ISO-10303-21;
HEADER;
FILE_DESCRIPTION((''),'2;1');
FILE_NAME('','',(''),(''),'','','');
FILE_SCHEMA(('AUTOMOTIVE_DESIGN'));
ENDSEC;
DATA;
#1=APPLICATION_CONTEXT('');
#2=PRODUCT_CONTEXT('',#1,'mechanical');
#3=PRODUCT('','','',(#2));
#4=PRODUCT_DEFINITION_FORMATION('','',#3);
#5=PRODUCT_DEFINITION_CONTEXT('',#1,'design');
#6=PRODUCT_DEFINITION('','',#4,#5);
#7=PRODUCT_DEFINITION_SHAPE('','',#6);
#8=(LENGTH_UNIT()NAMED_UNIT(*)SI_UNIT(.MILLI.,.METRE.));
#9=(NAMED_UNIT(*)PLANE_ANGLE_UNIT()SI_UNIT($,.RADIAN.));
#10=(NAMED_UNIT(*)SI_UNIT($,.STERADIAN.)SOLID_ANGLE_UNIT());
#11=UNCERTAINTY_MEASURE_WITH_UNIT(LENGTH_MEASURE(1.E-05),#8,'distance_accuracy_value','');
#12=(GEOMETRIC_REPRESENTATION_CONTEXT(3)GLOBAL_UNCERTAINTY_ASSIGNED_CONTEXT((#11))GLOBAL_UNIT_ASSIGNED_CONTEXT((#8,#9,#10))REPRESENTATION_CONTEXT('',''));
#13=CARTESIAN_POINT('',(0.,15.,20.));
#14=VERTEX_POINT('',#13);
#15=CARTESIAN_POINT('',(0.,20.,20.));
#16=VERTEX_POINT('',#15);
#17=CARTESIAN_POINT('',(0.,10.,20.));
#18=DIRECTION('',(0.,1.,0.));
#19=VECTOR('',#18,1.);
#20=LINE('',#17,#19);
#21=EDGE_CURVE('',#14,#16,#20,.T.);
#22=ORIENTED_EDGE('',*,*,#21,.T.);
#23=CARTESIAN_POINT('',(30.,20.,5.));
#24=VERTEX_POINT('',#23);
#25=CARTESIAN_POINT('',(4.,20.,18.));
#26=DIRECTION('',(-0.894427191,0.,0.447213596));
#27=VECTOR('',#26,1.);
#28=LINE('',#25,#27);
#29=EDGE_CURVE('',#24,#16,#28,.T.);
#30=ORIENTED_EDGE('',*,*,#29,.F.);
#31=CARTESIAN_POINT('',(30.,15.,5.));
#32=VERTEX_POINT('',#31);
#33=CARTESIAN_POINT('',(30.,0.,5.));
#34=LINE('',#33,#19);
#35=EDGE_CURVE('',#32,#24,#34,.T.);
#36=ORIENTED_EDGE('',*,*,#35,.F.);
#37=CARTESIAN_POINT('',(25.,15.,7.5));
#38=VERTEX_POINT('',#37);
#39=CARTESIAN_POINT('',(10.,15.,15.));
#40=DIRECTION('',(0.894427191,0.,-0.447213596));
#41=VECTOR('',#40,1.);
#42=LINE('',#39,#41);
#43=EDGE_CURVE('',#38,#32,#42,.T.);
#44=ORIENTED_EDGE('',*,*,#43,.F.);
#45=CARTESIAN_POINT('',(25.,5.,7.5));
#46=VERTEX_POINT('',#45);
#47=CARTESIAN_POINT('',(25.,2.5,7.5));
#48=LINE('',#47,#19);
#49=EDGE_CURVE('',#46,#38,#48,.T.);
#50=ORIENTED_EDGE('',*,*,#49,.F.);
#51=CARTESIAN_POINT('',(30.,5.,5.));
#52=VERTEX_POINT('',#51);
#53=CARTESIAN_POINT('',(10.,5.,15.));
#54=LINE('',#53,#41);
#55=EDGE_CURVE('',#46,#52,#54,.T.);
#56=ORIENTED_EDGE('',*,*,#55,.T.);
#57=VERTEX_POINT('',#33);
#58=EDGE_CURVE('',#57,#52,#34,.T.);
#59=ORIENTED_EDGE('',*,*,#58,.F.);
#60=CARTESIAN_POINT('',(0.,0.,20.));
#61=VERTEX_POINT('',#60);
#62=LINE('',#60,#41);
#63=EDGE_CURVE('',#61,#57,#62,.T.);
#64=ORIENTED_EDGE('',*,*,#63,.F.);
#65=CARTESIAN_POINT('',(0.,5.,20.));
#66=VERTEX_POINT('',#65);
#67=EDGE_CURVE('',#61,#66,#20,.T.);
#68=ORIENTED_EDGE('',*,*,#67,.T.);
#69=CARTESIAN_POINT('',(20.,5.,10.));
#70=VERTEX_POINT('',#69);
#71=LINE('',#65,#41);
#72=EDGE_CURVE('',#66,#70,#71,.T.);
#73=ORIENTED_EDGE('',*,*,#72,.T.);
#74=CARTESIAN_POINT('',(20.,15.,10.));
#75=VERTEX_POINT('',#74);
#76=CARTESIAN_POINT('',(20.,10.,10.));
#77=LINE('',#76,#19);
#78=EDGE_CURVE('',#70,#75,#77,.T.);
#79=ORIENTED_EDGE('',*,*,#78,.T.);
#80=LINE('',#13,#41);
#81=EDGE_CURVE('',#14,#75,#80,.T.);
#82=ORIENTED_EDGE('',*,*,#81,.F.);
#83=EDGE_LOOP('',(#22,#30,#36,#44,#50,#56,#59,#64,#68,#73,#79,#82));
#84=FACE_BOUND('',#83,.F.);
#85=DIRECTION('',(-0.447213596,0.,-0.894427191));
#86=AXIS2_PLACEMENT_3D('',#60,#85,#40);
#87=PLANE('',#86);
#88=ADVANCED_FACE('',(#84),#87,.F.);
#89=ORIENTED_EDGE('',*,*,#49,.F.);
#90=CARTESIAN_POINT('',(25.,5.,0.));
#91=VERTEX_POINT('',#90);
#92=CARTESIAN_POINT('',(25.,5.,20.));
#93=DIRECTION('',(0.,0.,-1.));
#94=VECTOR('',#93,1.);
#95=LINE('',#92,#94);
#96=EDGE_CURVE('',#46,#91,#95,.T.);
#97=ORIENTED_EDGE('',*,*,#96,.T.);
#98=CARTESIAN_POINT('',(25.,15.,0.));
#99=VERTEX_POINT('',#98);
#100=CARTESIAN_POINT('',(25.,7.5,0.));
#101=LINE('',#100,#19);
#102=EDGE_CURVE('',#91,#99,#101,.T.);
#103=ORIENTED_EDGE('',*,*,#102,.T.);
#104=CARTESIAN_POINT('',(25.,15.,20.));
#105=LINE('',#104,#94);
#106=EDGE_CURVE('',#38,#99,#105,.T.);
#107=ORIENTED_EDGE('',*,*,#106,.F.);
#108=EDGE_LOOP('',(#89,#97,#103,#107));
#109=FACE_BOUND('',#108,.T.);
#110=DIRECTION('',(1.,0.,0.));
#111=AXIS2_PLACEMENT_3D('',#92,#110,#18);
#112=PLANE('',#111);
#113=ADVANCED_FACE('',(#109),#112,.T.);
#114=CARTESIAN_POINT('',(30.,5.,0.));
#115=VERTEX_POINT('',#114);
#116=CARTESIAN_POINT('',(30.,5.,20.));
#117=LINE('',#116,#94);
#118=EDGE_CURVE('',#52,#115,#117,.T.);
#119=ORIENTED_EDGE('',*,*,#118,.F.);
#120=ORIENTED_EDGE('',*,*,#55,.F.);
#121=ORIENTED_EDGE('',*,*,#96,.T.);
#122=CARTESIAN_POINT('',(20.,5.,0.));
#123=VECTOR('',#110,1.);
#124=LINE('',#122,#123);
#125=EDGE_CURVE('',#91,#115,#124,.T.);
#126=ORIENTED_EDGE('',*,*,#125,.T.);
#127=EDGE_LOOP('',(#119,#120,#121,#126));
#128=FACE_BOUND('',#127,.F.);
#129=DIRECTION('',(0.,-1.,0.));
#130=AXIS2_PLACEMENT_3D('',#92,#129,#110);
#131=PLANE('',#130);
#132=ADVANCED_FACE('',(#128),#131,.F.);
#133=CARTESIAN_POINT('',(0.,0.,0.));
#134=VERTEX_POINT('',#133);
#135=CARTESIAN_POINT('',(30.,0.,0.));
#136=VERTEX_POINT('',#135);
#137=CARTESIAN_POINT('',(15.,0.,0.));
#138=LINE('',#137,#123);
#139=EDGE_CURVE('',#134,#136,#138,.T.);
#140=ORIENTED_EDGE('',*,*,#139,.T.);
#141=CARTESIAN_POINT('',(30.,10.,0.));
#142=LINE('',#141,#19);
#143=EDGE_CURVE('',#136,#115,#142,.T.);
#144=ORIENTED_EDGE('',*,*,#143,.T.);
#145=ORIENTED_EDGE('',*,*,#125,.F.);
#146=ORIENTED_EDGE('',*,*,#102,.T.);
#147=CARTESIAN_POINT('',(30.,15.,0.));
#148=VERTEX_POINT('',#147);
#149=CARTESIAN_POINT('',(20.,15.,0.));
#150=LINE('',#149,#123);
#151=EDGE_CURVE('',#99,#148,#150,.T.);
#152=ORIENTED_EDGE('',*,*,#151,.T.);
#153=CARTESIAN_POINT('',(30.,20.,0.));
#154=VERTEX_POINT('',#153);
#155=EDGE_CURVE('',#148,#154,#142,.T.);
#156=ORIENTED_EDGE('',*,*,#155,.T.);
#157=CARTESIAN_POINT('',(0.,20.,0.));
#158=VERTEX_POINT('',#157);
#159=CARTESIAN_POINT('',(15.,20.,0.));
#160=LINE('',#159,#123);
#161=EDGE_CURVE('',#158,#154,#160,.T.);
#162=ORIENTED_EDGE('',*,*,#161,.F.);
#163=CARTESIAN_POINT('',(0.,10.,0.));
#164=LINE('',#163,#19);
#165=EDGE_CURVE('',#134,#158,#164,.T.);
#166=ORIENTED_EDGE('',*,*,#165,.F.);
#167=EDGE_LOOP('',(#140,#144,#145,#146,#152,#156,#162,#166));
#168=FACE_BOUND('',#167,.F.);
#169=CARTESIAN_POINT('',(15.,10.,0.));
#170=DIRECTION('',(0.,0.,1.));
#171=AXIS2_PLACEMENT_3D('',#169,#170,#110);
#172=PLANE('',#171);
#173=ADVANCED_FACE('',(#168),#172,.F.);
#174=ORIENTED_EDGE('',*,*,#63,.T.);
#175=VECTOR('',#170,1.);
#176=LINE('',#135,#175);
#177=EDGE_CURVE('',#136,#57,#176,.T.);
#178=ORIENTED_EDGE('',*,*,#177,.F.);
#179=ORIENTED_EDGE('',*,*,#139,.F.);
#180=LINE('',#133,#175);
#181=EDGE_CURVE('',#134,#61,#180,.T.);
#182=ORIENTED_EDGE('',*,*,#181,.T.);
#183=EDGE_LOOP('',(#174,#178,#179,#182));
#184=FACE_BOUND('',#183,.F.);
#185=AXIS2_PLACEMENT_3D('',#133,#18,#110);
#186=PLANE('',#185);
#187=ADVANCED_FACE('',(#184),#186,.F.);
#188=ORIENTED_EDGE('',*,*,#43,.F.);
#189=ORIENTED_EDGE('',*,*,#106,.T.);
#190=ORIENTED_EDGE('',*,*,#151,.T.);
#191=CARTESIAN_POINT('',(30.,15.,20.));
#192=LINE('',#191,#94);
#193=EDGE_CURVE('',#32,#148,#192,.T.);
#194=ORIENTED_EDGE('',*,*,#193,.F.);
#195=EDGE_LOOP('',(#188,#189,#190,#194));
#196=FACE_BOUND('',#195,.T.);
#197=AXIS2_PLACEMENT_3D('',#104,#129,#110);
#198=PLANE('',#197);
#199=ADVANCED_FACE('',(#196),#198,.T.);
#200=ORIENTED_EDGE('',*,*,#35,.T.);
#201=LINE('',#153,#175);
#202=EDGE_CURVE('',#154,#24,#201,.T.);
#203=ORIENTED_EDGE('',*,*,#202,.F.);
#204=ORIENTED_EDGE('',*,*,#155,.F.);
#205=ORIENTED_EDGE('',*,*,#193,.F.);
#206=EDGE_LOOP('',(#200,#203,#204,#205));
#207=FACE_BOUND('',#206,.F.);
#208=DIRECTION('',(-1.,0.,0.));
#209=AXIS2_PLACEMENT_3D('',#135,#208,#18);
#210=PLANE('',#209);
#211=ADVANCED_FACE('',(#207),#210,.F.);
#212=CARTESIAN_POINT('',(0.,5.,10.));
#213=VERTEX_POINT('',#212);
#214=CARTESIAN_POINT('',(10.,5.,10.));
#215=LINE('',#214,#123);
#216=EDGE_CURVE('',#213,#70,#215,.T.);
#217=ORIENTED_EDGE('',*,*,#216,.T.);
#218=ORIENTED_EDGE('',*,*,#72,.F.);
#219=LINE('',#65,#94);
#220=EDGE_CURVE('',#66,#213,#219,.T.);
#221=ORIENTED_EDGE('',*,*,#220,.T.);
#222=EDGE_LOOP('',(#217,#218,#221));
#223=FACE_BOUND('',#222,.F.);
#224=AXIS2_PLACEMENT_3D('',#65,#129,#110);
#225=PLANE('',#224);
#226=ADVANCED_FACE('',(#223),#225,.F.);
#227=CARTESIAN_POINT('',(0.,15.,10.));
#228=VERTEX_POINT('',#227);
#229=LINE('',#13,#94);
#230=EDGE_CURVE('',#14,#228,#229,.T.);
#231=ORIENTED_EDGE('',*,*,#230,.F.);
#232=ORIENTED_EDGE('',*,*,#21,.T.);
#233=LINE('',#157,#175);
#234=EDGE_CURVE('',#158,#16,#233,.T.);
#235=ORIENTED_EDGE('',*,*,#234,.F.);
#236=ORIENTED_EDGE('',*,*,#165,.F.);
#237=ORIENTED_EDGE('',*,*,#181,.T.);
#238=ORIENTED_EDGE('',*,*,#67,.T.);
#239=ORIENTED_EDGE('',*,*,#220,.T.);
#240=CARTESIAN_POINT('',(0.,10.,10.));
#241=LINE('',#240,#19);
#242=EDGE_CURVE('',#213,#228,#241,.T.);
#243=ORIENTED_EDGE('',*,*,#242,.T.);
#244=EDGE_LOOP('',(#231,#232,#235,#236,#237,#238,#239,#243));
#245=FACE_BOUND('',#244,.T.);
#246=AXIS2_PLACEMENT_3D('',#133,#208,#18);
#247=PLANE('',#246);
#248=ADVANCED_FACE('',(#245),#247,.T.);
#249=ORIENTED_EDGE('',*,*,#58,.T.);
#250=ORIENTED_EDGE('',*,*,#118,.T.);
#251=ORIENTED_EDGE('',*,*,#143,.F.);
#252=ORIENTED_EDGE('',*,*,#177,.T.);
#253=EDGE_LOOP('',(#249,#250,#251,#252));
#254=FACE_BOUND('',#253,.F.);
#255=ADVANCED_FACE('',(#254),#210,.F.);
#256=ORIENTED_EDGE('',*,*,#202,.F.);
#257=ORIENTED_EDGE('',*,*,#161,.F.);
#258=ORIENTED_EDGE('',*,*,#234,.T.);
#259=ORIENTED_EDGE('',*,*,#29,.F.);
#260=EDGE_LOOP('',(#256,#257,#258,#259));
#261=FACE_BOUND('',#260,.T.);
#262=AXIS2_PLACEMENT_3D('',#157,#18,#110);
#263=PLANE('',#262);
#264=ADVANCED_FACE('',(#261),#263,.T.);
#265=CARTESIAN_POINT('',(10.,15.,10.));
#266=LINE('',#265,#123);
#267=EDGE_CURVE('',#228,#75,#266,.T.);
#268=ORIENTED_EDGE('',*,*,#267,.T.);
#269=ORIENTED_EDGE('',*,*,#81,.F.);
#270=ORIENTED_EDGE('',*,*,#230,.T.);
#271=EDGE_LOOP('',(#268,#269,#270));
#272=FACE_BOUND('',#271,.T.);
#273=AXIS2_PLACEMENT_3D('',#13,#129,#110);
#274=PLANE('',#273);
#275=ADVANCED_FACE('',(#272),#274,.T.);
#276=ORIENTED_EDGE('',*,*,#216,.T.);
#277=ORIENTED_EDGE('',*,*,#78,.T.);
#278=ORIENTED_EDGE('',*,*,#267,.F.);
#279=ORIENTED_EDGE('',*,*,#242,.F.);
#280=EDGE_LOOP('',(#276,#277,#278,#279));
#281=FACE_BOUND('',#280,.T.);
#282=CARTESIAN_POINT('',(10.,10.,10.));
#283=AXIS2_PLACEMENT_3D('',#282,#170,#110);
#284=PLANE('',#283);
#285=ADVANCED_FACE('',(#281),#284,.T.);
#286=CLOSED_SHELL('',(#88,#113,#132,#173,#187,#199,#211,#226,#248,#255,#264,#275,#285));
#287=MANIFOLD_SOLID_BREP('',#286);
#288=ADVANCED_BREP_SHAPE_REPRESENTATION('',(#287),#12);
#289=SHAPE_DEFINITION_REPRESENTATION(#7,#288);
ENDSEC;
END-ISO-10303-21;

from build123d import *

# Parameters (mm, degrees)
F0_W     = 30
F0_H     = 20
F1_DEPTH = 20
F2_W     = 5
F2_H     = 10
F3_DEPTH = 20.001
F4_W     = 20
F4_H     = 10
F5_DEPTH = 10
F7_DEPTH = 20.001


with BuildPart() as f1:
    # F0 (on Top) → F1 (new body)
    with BuildSketch(Plane.XY):
        with Locations((15, 10)):
            Rectangle(F0_W, F0_H)
    extrude(amount=F1_DEPTH)

    # F2 (on face) → F3 (cut, through all)
    with BuildSketch(Plane.XY.offset(20)):
        with Locations((27.5, 10)):
            Rectangle(F2_W, F2_H)
    extrude(amount=-F3_DEPTH, mode=Mode.SUBTRACT)

    # F4 (on face) → F5 (cut)
    with BuildSketch(Plane.XY.offset(20)):
        with Locations((10, 10)):
            Rectangle(F4_W, F4_H)
    extrude(amount=-F5_DEPTH, mode=Mode.SUBTRACT)

    # F6 (on face) → F7 (cut, through all)
    with BuildSketch(Plane.XZ):
        Polygon((30, 20), (0, 20), (30, 5), align=None)
    extrude(amount=-F7_DEPTH, mode=Mode.SUBTRACT)


solid = f1.part
